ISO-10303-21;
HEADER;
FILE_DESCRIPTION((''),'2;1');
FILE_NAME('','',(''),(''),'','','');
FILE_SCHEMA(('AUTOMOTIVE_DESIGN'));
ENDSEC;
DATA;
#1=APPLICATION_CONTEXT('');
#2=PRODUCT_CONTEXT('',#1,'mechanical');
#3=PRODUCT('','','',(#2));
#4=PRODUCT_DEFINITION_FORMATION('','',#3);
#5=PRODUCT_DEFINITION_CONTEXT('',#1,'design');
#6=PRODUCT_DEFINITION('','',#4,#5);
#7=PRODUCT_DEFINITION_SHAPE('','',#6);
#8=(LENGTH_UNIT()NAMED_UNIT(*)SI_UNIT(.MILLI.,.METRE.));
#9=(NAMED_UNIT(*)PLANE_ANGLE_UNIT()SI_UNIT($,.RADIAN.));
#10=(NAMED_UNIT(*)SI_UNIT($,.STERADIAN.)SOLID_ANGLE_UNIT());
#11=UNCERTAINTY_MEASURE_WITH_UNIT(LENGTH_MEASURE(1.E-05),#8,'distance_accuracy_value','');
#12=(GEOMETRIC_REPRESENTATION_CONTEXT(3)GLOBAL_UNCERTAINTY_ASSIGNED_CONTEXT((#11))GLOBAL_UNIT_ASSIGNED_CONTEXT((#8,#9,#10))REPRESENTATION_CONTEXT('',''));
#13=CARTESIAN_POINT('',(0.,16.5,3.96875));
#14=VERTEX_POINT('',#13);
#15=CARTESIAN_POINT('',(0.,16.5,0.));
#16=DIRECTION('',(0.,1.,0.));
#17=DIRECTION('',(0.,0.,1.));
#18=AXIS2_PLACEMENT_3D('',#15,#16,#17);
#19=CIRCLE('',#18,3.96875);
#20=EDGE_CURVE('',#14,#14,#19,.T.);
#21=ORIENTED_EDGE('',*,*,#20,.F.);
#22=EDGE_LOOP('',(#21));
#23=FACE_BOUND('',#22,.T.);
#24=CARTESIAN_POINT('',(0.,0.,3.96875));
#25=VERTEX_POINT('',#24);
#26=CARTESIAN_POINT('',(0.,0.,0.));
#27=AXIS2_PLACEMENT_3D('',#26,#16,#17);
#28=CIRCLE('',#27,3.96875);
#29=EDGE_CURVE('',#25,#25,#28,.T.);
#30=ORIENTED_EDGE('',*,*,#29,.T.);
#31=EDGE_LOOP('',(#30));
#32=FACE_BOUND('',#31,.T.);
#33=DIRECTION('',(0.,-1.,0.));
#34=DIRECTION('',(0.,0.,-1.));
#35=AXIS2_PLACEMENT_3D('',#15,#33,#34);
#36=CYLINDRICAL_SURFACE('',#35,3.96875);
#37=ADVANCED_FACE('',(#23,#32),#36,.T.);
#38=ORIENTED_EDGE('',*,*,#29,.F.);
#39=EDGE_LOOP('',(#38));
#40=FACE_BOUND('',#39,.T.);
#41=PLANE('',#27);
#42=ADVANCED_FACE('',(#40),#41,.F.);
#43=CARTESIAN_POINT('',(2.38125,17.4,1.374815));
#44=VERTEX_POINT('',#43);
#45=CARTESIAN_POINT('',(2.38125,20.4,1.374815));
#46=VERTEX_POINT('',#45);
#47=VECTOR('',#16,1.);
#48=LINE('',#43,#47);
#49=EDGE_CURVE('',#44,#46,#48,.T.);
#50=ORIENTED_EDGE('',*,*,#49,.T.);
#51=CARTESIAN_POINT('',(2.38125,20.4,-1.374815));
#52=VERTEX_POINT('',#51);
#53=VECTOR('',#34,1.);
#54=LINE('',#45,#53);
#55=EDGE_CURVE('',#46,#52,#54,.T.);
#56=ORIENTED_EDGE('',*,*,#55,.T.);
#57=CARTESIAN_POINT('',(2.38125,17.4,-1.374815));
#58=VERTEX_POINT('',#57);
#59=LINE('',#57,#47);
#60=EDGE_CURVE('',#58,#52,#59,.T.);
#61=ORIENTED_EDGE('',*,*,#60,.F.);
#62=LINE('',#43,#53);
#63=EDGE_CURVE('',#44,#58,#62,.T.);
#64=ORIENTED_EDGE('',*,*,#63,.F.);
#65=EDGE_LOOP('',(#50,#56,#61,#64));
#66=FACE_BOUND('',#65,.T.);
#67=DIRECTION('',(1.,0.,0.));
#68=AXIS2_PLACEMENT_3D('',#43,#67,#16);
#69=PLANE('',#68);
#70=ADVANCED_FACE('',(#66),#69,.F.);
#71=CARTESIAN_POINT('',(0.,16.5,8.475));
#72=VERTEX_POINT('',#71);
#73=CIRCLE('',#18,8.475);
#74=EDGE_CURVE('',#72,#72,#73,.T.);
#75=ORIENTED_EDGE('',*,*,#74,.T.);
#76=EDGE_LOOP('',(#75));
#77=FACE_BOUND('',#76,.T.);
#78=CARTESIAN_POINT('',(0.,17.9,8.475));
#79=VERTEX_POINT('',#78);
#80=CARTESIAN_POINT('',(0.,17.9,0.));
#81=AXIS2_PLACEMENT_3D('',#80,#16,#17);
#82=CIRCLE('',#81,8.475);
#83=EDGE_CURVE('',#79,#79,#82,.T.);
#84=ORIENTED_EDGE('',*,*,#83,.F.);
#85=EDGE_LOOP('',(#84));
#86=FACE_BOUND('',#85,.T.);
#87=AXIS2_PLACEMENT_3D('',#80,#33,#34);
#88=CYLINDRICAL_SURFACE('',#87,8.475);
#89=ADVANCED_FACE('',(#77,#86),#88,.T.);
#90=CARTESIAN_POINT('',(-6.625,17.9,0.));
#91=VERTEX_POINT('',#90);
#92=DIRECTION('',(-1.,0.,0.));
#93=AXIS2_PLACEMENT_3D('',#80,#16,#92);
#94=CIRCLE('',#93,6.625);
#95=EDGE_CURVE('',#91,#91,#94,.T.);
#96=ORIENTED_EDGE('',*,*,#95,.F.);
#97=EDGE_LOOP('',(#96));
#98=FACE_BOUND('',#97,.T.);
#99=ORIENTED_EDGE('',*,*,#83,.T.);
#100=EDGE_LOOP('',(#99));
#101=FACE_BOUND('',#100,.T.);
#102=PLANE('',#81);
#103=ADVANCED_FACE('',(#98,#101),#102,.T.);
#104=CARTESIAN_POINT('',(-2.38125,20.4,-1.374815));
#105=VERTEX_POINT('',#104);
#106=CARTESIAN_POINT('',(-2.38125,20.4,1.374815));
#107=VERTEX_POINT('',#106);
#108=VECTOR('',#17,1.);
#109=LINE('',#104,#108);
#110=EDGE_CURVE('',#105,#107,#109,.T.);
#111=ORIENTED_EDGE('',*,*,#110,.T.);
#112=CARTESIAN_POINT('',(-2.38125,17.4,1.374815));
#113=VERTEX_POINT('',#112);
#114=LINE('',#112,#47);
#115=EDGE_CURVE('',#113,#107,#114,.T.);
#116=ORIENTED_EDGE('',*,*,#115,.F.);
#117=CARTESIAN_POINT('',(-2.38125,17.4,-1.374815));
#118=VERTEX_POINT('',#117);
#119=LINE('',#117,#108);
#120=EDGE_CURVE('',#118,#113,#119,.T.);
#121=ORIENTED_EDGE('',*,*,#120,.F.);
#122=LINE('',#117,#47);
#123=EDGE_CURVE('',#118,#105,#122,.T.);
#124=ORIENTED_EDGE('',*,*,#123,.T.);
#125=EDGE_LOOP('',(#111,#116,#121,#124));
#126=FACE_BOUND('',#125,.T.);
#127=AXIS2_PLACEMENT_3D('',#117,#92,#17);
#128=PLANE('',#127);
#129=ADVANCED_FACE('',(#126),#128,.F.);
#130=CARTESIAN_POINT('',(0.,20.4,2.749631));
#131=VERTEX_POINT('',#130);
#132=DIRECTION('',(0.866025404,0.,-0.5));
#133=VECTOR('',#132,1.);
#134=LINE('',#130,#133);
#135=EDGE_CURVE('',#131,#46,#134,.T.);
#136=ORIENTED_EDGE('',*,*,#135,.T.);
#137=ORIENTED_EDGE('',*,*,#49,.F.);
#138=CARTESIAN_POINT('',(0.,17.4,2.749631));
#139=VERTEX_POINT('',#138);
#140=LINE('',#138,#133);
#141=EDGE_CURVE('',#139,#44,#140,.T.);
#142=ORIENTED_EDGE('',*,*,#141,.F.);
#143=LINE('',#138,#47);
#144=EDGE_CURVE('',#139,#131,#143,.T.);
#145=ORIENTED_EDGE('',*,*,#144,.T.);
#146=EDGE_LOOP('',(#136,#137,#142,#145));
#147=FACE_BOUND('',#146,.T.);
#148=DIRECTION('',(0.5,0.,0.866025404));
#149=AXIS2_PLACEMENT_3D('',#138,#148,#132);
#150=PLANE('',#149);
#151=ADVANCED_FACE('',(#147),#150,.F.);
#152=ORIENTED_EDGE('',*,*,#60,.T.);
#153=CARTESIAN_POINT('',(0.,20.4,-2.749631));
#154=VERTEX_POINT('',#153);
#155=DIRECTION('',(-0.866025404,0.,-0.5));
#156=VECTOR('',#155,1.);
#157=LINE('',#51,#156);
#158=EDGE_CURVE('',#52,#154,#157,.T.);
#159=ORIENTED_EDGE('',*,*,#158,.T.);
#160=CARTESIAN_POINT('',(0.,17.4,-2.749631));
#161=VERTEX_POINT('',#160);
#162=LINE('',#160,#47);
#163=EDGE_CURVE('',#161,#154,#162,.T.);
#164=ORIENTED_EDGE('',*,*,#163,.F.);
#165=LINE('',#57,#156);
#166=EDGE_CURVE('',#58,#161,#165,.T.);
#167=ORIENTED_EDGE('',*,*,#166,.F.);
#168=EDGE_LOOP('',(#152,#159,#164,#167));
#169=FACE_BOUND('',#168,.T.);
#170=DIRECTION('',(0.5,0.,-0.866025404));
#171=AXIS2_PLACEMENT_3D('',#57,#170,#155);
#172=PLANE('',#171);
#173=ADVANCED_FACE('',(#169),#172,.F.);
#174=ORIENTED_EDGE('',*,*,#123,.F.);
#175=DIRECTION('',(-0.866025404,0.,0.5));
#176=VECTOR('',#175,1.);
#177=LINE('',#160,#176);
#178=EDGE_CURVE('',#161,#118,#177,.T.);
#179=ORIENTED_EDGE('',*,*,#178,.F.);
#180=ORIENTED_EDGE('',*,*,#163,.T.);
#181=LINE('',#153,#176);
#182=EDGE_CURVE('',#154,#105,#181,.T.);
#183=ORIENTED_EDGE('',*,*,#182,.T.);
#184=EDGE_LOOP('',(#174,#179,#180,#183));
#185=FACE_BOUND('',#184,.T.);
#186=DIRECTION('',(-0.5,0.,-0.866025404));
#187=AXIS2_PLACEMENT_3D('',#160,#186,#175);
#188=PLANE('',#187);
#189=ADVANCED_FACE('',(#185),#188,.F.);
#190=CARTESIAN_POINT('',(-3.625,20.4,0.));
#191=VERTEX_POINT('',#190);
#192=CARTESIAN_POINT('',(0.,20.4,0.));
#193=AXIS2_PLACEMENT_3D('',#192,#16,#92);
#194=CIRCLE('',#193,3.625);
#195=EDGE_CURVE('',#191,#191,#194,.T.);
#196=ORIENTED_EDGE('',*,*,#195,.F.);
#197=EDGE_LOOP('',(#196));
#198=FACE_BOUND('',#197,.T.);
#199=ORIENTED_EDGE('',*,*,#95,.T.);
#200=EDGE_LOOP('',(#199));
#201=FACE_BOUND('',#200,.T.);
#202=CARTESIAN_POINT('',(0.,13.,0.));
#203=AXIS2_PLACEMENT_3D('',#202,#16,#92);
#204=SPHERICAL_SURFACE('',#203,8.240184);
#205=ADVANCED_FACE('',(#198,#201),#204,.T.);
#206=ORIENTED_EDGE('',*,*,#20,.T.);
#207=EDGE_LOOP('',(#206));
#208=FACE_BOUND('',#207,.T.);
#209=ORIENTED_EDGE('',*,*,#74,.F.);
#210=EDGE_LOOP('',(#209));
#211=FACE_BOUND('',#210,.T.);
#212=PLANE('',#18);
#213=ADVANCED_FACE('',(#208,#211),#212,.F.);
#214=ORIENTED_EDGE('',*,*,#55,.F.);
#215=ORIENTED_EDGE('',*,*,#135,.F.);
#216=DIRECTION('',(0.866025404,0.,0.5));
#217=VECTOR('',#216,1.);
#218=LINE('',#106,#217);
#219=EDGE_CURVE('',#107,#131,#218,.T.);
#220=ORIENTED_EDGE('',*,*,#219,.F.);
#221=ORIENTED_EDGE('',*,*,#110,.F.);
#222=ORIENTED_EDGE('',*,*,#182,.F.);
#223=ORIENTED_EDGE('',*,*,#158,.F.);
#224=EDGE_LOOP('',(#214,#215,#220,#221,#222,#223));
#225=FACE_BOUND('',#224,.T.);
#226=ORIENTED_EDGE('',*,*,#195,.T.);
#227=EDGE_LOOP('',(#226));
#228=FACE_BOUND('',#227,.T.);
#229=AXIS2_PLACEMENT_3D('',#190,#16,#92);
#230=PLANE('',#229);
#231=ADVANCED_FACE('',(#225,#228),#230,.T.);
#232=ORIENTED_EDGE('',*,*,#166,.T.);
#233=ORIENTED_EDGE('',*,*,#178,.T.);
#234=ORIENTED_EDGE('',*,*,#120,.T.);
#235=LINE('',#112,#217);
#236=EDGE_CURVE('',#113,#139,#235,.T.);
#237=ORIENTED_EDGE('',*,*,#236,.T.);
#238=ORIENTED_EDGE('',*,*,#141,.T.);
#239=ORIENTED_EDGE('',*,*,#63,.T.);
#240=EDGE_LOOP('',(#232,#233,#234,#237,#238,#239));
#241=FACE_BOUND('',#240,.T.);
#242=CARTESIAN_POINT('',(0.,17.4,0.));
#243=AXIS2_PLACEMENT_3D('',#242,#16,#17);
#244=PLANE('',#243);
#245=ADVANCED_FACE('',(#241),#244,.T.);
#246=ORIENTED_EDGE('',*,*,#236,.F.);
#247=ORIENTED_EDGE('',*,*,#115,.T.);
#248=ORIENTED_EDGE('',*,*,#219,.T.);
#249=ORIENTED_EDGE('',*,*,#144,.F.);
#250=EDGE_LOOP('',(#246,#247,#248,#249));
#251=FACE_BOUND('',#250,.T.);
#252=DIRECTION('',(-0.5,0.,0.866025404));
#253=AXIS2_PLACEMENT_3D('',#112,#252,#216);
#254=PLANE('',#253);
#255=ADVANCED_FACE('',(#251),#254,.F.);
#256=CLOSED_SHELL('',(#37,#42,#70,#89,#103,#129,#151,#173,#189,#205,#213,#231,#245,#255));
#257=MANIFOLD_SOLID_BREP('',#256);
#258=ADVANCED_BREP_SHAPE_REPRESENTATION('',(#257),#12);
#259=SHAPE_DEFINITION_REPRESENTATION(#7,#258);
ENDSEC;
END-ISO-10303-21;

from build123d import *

# Parameters (mm, degrees)
SKETCH1_R           = 3.96875
BOSS_EXTRUDE1_DEPTH = 16.5
SKETCH2_R           = 8.475
BOSS_EXTRUDE2_DEPTH = 1.4
CUT_EXTRUDE1_DEPTH  = 3


with BuildPart() as part:
    # Sketch1 → Boss-Extrude1 (new body)
    with BuildSketch(Plane(origin=(0, 0, 0), x_dir=(1, 0, 0), z_dir=(0, 1, 0))):
        Circle(SKETCH1_R)
    extrude(amount=BOSS_EXTRUDE1_DEPTH)

    # Sketch2 → Boss-Extrude2 (add)
    with BuildSketch(Plane(origin=(0, 16.5, 0), x_dir=(1, 0, 0), z_dir=(0, 1, 0))):
        Circle(SKETCH2_R)
    extrude(amount=BOSS_EXTRUDE2_DEPTH)

    # Sketch3 → Revolve2 (revolve)
    with BuildSketch(Plane.XY):
        with BuildLine():
            Line((-3.625, 20.4), (0, 20.4))
            Line((0, 20.4), (0, 17.9))
            Line((0, 17.9), (-6.625, 17.9))
            ThreePointArc((-6.625, 17.9), (-5.275236962, 19.330284354), (-3.625, 20.4))
        make_face()
    revolve(axis=Axis((0, 20.4, 0), (0, -1, 0)))

    # Sketch4 → Cut-Extrude1 (cut)
    with BuildSketch(Plane(origin=(0, 20.4, 0), x_dir=(1, 0, 0), z_dir=(0, 1, 0))):
        Polygon((-2.38125, 1.374815329), (-2.38125, -1.374815329), (0, -2.749630657), (2.38125, -1.374815329), (2.38125, 1.374815329), (0, 2.749630657), align=None)
    extrude(amount=-CUT_EXTRUDE1_DEPTH, mode=Mode.SUBTRACT)


solid = part.part
